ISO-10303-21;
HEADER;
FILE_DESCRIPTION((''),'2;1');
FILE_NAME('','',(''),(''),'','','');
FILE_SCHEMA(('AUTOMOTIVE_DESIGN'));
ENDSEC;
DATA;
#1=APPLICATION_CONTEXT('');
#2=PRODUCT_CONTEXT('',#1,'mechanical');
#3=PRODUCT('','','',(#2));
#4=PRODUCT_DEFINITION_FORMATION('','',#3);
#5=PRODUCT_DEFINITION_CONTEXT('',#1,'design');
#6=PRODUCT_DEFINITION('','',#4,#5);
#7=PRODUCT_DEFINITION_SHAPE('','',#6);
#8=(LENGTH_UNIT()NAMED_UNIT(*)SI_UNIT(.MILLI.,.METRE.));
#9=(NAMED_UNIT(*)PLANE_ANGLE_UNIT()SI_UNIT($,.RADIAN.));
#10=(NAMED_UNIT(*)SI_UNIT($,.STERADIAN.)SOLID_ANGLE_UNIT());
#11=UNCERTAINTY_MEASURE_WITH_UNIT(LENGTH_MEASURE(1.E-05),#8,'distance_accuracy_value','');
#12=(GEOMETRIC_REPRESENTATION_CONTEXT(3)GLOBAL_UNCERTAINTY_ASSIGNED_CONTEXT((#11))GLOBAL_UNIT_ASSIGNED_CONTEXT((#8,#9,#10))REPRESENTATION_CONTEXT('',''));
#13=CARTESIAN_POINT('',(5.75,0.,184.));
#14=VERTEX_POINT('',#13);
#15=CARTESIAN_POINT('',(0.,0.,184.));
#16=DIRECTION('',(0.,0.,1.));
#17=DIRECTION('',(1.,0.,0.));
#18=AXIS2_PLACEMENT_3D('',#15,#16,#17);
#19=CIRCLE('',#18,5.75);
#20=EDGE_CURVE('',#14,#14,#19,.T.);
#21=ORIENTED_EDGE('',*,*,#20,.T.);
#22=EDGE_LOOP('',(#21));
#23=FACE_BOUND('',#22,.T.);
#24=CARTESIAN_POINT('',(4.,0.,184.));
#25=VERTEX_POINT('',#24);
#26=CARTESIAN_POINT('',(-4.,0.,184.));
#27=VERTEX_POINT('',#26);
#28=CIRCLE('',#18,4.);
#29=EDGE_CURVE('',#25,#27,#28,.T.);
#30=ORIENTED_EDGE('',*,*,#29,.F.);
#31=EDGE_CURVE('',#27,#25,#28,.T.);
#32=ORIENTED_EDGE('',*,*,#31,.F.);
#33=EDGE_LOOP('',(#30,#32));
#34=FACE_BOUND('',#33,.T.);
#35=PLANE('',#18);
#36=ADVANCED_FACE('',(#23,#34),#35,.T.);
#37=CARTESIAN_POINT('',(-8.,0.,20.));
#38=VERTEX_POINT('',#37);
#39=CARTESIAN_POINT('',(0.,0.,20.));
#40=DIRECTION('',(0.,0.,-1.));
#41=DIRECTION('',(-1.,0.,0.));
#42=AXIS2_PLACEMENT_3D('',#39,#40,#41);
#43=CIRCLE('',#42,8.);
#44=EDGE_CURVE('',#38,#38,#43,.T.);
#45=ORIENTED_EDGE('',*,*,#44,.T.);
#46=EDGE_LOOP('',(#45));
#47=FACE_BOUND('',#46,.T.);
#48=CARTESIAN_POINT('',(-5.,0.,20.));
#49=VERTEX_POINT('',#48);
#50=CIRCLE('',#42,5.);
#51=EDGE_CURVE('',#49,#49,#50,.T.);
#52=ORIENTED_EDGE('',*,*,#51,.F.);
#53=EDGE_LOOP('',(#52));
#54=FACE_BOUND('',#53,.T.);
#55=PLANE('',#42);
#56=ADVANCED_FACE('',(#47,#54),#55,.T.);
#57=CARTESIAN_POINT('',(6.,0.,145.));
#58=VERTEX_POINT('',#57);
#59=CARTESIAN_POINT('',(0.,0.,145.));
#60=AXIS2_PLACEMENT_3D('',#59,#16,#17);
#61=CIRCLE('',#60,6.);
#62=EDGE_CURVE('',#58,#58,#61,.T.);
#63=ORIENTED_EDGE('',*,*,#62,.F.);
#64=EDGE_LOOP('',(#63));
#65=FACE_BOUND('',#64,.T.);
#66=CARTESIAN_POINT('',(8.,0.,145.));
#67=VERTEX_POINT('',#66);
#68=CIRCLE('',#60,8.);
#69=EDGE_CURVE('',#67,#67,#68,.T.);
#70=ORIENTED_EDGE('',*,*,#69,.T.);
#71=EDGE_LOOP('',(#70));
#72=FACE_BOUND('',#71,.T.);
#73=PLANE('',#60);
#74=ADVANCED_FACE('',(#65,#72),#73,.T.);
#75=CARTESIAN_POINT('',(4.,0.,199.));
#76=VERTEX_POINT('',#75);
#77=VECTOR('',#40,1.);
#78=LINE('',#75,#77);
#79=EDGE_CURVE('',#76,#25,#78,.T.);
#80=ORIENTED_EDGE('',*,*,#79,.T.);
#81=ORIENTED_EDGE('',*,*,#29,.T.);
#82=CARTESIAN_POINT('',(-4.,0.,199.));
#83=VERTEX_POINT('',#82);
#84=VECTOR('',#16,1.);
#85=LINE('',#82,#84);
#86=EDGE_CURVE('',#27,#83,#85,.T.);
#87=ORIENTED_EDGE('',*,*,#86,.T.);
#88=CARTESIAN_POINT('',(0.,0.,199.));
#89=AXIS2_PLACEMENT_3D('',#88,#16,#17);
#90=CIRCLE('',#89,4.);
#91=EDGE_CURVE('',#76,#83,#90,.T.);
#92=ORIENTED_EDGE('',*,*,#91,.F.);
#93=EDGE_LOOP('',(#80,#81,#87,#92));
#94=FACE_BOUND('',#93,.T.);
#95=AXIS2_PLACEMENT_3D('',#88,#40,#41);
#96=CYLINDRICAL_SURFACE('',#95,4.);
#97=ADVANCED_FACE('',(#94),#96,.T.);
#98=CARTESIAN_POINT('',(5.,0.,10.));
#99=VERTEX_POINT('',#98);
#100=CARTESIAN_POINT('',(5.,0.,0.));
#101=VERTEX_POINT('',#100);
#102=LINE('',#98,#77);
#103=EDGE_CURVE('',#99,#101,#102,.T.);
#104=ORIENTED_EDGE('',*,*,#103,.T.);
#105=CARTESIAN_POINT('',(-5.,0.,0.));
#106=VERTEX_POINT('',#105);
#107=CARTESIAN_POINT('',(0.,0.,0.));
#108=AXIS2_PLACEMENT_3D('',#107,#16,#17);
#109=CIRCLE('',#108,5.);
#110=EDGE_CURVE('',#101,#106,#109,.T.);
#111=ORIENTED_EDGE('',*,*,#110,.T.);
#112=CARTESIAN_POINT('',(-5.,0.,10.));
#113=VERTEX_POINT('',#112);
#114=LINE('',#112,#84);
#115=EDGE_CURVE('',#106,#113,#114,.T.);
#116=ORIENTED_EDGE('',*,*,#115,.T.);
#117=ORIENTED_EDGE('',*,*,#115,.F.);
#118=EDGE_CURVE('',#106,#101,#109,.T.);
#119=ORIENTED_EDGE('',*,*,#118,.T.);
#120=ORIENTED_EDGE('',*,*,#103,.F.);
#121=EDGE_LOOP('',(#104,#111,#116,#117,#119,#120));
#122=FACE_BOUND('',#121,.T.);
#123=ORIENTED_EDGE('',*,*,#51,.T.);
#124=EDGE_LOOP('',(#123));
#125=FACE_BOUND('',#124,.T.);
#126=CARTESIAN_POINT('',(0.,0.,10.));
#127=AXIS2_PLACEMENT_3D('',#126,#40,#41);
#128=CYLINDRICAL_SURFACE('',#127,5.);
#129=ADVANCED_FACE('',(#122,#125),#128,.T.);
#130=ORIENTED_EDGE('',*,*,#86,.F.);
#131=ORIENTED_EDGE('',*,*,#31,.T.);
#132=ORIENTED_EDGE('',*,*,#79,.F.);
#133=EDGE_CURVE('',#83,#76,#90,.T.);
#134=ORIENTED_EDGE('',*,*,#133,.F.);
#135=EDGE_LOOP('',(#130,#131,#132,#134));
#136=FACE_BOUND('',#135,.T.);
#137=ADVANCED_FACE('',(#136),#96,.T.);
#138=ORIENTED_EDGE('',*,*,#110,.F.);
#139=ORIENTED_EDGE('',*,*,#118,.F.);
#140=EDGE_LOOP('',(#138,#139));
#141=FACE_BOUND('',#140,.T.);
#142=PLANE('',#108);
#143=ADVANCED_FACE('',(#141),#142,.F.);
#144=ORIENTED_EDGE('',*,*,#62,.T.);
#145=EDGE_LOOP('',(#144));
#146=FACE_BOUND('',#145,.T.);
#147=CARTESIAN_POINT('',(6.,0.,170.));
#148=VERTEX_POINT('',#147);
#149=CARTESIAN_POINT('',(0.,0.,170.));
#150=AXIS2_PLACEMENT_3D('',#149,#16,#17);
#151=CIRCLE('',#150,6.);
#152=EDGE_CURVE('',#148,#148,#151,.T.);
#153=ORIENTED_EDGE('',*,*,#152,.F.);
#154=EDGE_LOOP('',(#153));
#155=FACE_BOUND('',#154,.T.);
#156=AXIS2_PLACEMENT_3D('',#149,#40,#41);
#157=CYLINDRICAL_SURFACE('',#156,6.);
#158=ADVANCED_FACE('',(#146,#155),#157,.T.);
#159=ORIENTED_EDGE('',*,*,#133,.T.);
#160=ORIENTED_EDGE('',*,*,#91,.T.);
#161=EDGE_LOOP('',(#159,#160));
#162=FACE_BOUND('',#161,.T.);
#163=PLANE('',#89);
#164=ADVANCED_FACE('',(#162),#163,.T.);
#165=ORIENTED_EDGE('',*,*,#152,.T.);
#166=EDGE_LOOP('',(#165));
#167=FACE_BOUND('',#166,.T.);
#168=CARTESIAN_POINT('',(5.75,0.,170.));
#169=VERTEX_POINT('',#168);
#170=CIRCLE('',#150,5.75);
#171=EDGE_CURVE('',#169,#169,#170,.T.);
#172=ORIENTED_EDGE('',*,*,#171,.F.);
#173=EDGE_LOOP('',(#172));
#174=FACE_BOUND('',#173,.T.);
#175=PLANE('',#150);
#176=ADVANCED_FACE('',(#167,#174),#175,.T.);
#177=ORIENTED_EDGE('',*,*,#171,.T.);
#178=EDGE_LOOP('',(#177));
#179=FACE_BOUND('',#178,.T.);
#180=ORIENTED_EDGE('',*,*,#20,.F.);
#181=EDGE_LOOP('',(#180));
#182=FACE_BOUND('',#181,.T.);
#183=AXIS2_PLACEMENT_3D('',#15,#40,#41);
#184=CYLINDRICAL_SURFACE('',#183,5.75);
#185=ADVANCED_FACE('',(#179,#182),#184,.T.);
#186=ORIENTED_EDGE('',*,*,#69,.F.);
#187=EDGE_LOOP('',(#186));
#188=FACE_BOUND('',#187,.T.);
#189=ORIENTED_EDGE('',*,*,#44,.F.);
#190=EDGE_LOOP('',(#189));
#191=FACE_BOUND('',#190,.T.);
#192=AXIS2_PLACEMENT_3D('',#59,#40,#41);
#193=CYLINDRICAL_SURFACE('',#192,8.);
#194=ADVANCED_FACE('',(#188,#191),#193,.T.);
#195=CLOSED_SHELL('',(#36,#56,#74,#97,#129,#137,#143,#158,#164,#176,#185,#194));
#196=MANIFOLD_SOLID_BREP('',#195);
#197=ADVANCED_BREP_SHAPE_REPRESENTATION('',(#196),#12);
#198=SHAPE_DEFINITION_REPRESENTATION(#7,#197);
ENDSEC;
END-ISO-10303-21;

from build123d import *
from build123d.topology import SkipClean

# Parameters (mm, degrees)
SKETCH_1_R          = 5
EXTRUDE_1_DEPTH     = 10
SKETCH_2_R          = 8
EXTRUDE_2_DEPTH     = 135
SKETCH_3_R          = 6
EXTRUDE_3_DEPTH     = 25
SKETCH_4_R          = 5.75
EXTRUDE_4_DEPTH     = 14
SKETCH_5_R          = 4
EXTRUDE_5_DEPTH     = 15
SKETCH_6_R          = 8
SKETCH_6_R_2        = 5
CUT_EXTRUDE_1_DEPTH = 10


with BuildPart() as part:
    # 스케치1 → 보스-돌출1 (new body)
    with BuildSketch(Plane.XY):
        Circle(SKETCH_1_R)
    extrude(amount=EXTRUDE_1_DEPTH)

    # 스케치2 → 보스-돌출2 (add)
    with BuildSketch(Plane.XY.offset(10)):
        Circle(SKETCH_2_R)
    extrude(amount=EXTRUDE_2_DEPTH)

    # 스케치3 → 보스-돌출3 (add)
    with BuildSketch(Plane.XY.offset(145)):
        Circle(SKETCH_3_R)
    extrude(amount=EXTRUDE_3_DEPTH)

    # 스케치4 → 보스-돌출4 (add)
    with BuildSketch(Plane.XY.offset(170)):
        Circle(SKETCH_4_R)
    extrude(amount=EXTRUDE_4_DEPTH)

    # 스케치5 → 보스-돌출5 (add)
    with BuildSketch(Plane.XY.offset(184)):
        Circle(SKETCH_5_R)
    extrude(amount=EXTRUDE_5_DEPTH)

    # 스케치6 → 컷-돌출1 (cut)
    with SkipClean():  # the faces are left unmerged after this step: merging them gives an invalid solid
        with BuildSketch(Plane(origin=(0, 0, 10), x_dir=(-1, 0, 0), z_dir=(0, 0, -1))):
            Circle(SKETCH_6_R)
            Circle(SKETCH_6_R_2, mode=Mode.SUBTRACT)
        extrude(amount=-CUT_EXTRUDE_1_DEPTH, mode=Mode.SUBTRACT)


solid = part.part
